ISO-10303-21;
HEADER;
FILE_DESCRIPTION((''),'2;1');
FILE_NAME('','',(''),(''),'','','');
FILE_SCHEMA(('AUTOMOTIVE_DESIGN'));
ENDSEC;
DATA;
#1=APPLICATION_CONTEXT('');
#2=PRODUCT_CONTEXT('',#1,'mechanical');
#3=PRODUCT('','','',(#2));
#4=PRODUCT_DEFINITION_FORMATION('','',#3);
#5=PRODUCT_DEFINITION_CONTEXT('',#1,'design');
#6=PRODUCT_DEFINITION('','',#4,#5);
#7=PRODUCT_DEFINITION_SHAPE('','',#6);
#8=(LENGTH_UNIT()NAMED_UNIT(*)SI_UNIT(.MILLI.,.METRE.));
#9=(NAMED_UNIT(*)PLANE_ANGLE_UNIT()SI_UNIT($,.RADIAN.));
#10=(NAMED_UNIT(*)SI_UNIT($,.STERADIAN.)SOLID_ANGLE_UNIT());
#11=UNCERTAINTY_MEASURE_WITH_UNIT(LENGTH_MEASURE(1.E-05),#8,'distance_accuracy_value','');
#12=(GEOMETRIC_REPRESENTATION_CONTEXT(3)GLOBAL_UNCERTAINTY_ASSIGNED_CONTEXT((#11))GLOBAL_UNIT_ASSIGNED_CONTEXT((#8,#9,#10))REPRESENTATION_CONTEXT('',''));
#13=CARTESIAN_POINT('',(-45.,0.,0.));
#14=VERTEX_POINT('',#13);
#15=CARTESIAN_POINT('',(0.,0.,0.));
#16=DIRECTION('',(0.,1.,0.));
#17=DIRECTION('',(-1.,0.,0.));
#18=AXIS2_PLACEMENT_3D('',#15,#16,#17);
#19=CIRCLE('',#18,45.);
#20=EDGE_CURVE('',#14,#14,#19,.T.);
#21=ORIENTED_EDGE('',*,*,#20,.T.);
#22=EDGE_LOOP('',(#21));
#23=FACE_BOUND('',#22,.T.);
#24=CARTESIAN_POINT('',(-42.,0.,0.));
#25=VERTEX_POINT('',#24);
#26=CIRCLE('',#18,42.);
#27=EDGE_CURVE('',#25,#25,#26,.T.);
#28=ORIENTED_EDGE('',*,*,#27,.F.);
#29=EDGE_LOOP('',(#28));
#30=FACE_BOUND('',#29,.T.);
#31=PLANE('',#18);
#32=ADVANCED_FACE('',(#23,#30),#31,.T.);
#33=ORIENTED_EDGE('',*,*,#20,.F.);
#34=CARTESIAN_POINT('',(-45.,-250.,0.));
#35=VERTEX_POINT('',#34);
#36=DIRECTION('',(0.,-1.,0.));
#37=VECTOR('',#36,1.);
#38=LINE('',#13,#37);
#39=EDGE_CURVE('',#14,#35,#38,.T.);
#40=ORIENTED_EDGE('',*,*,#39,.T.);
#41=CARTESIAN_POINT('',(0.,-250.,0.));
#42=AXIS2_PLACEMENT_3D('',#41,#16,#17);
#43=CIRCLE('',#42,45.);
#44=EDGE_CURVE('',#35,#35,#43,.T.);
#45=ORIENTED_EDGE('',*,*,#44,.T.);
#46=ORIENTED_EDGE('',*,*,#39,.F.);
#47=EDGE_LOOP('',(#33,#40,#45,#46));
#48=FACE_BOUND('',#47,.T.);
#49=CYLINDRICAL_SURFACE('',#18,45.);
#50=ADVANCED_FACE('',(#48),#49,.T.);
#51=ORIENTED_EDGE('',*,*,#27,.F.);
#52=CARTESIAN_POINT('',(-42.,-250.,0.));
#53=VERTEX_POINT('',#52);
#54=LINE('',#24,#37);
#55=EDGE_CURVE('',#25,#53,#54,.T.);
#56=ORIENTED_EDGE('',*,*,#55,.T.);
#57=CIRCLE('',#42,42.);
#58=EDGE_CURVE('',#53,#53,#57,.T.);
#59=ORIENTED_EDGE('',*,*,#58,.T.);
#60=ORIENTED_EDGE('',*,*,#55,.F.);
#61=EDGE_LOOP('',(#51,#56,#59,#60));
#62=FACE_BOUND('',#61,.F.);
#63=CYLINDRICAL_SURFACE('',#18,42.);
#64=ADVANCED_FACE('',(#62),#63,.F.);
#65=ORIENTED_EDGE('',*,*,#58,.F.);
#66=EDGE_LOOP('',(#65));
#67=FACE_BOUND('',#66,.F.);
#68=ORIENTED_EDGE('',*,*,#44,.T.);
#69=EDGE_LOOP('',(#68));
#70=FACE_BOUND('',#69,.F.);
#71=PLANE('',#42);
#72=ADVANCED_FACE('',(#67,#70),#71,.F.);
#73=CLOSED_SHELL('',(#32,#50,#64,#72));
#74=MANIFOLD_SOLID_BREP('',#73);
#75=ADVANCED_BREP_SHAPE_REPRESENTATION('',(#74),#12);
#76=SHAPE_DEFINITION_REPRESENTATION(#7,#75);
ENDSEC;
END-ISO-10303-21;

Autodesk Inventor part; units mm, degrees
ref_plane "YZ Plane" through (0, 0, 0) normal (1, 0, 0) x (0, 1, 0)
ref_plane "XZ Plane" through (0, 0, 0) normal (0, 1, 0) x (-1, 0, 0)
ref_plane "XY Plane" through (0, 0, 0) normal (0, 0, 1) x (1, 0, 0)
sketch "Sketch1" plane through (0, 0, 0) normal (0, 1, 0) x (-1, 0, 0)
  circle A0 centre (0, 0) radius 45
  circle A1 centre (0, 0) radius 42
  dimension "d0" = 90
  dimension "d1" = 3
extrude "Extrusion1" add sketch "Sketch1" against normal blind 250
properties part number "SLM 1613 FDS tube 3"
